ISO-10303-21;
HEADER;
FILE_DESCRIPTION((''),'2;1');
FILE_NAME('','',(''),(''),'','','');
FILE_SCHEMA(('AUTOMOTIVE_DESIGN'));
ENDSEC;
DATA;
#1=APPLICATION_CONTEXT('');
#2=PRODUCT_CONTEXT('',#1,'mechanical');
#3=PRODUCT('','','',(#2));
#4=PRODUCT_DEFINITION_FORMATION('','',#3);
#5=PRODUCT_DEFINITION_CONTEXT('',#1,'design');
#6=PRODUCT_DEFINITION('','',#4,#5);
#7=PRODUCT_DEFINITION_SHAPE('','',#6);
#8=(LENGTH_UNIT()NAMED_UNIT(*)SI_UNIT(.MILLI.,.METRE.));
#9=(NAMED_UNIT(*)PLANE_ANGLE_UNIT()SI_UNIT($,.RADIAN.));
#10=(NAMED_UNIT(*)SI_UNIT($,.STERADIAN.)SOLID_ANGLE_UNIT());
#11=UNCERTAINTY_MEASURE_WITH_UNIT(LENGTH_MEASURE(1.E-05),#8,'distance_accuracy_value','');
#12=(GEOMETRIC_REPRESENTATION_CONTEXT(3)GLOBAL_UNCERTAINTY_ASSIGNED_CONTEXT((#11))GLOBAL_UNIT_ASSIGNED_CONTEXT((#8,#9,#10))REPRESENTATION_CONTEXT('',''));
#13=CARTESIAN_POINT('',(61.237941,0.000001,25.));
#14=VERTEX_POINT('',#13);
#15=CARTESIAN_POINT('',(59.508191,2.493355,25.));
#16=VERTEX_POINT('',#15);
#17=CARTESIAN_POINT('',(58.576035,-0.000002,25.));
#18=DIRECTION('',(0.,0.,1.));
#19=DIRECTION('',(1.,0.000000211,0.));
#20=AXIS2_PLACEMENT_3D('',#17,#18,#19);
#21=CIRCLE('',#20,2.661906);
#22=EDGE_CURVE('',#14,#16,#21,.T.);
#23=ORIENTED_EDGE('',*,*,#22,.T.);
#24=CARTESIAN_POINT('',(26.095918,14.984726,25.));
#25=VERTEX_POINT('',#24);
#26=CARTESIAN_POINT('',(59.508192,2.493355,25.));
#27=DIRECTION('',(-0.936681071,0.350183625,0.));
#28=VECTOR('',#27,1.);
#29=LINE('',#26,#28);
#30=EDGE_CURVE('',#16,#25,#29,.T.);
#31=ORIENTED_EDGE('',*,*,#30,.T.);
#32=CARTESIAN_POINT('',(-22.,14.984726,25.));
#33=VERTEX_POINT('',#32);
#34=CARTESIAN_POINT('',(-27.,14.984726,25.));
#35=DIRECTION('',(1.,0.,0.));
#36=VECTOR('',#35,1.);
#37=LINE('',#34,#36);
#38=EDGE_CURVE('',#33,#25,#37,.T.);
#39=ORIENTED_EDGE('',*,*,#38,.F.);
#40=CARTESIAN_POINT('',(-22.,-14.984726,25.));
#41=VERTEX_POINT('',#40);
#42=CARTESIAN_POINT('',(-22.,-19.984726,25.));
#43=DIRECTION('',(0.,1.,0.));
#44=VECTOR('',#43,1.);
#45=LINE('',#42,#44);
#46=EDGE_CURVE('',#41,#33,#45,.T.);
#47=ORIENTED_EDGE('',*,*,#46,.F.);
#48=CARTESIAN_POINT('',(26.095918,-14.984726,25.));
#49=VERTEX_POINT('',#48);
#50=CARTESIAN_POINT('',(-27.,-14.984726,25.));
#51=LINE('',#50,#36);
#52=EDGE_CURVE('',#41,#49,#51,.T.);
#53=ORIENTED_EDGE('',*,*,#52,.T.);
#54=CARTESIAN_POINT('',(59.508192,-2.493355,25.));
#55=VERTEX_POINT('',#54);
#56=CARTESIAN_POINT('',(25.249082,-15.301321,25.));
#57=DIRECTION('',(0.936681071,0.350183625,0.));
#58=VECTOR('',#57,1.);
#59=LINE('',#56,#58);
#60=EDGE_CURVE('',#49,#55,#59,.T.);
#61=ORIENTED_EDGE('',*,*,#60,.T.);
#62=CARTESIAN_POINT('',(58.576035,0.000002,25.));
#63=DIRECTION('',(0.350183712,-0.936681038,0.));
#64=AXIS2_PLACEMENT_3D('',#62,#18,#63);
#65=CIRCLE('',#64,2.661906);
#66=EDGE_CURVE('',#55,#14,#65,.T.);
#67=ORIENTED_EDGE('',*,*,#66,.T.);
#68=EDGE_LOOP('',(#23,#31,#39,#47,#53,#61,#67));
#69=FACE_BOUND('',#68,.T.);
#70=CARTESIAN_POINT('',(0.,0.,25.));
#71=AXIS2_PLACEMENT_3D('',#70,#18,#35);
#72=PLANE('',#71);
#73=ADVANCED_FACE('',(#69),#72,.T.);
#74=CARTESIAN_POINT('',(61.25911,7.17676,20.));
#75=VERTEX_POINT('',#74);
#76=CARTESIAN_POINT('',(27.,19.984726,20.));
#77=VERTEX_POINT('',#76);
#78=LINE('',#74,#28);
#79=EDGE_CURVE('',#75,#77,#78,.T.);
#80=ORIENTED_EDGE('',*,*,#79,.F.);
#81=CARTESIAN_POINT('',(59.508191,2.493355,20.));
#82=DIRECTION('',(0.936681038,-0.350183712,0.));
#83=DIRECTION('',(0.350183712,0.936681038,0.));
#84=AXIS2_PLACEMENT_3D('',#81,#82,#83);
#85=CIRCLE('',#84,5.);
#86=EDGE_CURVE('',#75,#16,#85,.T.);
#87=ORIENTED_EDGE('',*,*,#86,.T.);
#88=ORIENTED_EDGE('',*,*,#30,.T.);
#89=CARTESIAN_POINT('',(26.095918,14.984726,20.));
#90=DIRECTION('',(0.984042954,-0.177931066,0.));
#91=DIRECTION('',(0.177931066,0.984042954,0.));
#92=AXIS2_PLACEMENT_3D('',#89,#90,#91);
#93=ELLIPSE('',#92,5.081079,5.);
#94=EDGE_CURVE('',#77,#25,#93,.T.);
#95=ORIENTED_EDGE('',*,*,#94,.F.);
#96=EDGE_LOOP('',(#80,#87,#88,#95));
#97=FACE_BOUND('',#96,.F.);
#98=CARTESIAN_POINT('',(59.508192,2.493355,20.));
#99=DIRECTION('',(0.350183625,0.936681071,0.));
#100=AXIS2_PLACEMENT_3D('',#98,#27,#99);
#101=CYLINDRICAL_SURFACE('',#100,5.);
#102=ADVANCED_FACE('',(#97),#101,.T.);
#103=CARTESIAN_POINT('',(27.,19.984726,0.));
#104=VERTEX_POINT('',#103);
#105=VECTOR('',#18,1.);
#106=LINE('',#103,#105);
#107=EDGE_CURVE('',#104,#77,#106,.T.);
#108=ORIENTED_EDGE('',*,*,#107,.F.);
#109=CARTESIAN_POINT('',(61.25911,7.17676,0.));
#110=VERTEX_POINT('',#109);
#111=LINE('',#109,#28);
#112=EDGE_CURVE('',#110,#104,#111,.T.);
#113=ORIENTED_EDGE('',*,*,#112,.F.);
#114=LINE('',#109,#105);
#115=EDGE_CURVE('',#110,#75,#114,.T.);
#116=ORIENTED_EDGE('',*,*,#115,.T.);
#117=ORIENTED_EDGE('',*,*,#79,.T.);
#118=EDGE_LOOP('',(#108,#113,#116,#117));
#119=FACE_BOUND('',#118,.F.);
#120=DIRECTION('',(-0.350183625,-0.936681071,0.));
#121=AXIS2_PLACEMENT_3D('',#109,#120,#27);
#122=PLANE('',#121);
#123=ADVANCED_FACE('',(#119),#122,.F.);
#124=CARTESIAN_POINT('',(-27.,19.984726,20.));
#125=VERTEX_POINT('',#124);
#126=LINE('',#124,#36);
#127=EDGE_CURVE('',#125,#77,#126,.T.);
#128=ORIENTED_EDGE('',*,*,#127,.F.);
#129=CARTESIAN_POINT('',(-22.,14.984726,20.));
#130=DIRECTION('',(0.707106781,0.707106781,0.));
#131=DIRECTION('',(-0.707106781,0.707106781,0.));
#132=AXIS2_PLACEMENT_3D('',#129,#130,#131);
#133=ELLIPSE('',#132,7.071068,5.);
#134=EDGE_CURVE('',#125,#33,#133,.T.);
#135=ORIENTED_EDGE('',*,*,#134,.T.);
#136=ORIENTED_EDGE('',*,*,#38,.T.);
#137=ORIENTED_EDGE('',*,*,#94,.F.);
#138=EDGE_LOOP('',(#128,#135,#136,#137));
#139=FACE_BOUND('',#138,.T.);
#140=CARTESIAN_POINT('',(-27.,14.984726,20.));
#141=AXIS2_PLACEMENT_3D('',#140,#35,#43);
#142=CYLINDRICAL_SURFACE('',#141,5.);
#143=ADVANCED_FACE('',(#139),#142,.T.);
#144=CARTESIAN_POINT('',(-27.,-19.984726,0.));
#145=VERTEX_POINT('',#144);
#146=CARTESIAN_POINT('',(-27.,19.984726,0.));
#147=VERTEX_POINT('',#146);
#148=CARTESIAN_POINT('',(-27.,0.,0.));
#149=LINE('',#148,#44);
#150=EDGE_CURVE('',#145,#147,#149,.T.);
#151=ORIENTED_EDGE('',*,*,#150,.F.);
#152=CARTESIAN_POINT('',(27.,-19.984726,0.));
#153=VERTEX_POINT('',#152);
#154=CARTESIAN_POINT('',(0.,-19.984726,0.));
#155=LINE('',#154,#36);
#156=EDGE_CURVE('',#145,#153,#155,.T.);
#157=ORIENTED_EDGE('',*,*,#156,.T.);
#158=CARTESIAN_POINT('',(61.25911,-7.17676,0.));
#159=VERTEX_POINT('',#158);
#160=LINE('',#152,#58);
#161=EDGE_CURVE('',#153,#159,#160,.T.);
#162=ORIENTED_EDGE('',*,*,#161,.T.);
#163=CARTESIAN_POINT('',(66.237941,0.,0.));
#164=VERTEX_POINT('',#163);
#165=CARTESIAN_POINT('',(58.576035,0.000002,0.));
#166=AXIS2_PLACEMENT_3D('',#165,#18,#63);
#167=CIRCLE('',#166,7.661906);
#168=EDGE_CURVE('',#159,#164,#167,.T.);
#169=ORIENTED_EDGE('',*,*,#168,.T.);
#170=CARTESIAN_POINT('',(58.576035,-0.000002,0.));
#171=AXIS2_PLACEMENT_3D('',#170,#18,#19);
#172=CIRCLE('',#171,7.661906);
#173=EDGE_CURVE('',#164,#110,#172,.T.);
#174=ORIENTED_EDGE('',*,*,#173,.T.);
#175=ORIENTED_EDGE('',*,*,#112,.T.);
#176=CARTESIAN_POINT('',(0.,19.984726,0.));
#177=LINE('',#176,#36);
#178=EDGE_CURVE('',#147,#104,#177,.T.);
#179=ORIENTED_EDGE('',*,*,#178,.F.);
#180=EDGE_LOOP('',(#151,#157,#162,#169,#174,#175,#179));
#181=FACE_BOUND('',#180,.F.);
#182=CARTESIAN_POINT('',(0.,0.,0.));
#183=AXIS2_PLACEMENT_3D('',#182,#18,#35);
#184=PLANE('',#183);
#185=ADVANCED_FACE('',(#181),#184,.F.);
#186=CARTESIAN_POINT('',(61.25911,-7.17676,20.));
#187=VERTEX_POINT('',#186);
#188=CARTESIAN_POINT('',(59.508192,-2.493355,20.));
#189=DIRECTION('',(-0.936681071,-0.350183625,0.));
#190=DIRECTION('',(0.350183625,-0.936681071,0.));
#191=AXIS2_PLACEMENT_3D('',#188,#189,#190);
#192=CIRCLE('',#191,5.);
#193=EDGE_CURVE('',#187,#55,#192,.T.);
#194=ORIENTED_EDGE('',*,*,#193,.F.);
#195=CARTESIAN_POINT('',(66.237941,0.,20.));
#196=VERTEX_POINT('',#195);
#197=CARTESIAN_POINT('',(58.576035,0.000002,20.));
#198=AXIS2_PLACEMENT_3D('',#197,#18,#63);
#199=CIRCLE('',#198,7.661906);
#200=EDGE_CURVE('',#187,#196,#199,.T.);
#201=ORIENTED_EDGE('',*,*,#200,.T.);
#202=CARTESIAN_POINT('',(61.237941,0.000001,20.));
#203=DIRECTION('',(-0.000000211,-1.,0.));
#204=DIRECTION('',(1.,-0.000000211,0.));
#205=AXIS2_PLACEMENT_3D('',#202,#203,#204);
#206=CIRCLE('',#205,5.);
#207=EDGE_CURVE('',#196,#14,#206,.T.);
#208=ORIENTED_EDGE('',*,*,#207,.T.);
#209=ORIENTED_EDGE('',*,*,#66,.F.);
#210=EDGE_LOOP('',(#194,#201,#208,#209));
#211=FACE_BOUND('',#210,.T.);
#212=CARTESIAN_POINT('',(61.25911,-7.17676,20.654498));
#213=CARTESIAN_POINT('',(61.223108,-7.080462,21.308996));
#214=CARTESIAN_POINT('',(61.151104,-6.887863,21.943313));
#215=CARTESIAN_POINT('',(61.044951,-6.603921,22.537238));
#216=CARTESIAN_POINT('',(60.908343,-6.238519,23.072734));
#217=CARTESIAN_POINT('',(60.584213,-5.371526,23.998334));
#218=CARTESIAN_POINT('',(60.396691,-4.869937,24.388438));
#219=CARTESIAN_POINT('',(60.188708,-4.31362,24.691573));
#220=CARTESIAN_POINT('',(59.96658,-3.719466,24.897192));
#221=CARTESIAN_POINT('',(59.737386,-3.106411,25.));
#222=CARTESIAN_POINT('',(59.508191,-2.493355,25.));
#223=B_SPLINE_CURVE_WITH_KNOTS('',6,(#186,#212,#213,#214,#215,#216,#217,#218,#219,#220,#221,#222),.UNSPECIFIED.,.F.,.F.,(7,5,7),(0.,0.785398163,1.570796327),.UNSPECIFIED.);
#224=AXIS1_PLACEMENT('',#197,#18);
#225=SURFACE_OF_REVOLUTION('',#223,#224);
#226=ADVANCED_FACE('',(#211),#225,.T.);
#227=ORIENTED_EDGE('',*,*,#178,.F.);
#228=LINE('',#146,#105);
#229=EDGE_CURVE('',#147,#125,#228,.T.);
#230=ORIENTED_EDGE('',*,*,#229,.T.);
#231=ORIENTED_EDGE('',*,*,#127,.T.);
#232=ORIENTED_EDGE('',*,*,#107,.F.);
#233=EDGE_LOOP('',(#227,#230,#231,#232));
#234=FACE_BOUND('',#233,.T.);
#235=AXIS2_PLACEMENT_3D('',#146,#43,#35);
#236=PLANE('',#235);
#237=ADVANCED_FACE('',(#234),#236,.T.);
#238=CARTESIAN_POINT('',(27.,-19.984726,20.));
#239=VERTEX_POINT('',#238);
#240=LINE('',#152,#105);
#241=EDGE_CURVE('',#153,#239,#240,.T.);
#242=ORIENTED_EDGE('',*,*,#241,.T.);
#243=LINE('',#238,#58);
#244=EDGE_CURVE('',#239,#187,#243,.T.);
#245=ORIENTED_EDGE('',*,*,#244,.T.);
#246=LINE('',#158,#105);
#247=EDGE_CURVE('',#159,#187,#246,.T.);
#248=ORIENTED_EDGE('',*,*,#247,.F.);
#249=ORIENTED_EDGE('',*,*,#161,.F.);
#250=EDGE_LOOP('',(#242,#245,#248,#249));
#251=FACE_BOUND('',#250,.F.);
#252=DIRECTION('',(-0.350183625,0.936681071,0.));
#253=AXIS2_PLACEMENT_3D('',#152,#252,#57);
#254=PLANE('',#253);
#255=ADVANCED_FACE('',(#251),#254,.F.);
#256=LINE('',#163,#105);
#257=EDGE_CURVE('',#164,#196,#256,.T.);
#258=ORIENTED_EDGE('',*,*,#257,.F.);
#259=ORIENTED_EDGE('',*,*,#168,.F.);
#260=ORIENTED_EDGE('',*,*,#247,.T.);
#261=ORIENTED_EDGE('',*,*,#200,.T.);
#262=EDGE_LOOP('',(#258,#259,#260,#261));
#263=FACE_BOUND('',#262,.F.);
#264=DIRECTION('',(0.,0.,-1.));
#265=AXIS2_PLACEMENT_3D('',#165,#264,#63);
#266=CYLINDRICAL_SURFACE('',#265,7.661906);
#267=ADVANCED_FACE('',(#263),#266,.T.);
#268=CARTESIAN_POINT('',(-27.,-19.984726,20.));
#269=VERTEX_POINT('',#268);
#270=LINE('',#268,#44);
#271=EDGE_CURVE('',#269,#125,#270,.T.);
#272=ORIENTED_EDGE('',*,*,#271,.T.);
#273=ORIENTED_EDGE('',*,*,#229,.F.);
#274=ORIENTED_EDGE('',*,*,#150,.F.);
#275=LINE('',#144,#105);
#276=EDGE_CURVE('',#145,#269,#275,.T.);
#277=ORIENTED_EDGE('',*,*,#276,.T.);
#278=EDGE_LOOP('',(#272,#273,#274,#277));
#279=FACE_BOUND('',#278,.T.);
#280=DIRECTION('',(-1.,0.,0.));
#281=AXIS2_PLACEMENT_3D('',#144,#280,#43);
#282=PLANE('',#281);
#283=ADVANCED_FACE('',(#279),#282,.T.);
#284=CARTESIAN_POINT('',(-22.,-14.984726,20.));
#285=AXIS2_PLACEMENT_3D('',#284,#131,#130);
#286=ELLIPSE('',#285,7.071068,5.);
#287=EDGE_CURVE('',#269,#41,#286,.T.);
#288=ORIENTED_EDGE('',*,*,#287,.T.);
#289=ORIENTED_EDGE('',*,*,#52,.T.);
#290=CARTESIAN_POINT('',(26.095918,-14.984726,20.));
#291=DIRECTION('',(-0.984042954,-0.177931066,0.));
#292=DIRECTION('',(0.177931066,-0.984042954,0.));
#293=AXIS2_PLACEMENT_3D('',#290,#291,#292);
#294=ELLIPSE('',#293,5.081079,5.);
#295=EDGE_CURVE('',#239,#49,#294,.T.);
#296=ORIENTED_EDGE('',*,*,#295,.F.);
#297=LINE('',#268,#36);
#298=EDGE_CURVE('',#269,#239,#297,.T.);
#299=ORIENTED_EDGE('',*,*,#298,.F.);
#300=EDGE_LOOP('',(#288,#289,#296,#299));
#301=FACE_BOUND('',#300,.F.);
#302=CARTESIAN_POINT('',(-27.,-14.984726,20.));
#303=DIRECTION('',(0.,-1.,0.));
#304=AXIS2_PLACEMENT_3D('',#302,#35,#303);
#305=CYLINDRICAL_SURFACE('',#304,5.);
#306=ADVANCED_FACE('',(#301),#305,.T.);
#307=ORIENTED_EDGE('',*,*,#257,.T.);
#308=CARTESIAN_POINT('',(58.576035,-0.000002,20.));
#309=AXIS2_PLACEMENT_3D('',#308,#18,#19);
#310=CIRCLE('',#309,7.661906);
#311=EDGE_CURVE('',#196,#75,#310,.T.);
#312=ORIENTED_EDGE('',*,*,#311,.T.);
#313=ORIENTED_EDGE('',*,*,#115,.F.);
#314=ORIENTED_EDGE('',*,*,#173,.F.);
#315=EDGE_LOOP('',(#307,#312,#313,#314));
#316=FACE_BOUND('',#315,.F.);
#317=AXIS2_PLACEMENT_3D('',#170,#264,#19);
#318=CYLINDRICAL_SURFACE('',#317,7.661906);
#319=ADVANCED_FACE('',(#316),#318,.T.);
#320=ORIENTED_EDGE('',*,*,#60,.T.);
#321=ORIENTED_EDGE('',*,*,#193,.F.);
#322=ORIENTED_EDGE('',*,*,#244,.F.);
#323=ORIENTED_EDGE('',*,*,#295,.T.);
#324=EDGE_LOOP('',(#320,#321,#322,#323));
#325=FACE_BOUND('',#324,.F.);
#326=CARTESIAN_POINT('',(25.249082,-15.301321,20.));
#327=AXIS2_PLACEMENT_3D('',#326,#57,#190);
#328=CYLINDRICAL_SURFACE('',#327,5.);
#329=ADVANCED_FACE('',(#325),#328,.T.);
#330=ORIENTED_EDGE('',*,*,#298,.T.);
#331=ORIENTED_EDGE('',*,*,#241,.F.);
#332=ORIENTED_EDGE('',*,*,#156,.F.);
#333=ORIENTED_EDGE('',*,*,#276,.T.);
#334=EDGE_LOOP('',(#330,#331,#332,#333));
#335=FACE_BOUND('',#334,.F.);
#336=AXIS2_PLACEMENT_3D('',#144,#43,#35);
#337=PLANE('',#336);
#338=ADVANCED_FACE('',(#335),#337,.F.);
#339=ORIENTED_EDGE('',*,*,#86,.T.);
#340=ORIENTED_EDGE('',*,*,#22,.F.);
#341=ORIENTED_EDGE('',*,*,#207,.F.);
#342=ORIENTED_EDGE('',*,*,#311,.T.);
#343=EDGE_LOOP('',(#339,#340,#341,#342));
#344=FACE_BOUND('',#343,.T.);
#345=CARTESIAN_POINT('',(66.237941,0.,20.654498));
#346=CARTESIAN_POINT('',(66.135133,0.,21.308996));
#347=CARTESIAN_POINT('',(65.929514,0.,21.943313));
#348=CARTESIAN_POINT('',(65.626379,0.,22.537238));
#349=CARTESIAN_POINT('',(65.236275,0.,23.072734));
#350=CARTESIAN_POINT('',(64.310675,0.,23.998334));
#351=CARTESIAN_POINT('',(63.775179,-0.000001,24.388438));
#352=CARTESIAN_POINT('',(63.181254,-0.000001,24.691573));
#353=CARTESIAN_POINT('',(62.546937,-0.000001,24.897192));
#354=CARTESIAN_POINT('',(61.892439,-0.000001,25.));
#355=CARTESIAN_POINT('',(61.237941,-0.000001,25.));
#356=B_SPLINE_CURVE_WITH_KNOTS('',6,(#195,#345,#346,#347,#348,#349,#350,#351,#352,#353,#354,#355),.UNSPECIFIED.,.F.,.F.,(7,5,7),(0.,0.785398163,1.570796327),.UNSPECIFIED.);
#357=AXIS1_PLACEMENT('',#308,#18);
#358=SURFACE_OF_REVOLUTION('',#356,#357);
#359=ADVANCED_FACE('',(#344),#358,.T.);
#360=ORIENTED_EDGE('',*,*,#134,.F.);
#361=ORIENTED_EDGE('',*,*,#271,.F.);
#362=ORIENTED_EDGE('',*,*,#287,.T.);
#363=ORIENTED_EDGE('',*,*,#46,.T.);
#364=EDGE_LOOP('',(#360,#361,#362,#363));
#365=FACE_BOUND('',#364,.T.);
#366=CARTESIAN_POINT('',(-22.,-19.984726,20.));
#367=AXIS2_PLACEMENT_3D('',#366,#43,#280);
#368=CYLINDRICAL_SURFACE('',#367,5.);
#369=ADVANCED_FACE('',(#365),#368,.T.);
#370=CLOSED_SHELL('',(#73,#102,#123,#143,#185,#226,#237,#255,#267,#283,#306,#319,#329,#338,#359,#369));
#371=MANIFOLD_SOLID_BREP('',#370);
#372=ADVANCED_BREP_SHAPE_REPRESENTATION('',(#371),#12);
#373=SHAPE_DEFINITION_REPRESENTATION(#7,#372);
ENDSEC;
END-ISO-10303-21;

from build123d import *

# Parameters (mm, degrees)
F0_W     = 54
F0_H     = 39.969452
F1_DEPTH = 25
F2_R     = 5


with BuildPart() as f1:
    # F0 (on Top) → F1 (new body)
    with BuildSketch(Plane.XY):
        Rectangle(F0_W, F0_H)
        with BuildLine():
            Line((27, 19.984726), (27, -19.984726))
            Line((27, -19.984726), (61.25911, -7.17676))
            ThreePointArc((61.25911, -7.17676), (50.914134, 0), (61.25911, 7.17676))
            Line((61.25911, 7.17676), (27, 19.984726))
        make_face()
        with BuildLine():
            ThreePointArc((61.25911, 7.17676), (50.914134, 0), (61.25911, -7.17676))
            ThreePointArc((61.25911, -7.17676), (64.871361, -4.36734), (66.237941, 0))
            ThreePointArc((66.237941, 0), (64.871361, 4.36734), (61.25911, 7.17676))
        make_face()
    extrude(amount=F1_DEPTH)

    # F2
    f2_edges = [f1.edges().sort_by_distance(p)[0] for p in [
        (0, -19.984726, 25),
        (-27, 0, 25),
        (0, 19.984726, 25),
        (44.129555, 13.580743, 25),
        (66.237941, 0, 25),
        (44.129555, -13.580743, 25),
    ]]
    fillet(f2_edges, radius=F2_R)


solid = f1.part
